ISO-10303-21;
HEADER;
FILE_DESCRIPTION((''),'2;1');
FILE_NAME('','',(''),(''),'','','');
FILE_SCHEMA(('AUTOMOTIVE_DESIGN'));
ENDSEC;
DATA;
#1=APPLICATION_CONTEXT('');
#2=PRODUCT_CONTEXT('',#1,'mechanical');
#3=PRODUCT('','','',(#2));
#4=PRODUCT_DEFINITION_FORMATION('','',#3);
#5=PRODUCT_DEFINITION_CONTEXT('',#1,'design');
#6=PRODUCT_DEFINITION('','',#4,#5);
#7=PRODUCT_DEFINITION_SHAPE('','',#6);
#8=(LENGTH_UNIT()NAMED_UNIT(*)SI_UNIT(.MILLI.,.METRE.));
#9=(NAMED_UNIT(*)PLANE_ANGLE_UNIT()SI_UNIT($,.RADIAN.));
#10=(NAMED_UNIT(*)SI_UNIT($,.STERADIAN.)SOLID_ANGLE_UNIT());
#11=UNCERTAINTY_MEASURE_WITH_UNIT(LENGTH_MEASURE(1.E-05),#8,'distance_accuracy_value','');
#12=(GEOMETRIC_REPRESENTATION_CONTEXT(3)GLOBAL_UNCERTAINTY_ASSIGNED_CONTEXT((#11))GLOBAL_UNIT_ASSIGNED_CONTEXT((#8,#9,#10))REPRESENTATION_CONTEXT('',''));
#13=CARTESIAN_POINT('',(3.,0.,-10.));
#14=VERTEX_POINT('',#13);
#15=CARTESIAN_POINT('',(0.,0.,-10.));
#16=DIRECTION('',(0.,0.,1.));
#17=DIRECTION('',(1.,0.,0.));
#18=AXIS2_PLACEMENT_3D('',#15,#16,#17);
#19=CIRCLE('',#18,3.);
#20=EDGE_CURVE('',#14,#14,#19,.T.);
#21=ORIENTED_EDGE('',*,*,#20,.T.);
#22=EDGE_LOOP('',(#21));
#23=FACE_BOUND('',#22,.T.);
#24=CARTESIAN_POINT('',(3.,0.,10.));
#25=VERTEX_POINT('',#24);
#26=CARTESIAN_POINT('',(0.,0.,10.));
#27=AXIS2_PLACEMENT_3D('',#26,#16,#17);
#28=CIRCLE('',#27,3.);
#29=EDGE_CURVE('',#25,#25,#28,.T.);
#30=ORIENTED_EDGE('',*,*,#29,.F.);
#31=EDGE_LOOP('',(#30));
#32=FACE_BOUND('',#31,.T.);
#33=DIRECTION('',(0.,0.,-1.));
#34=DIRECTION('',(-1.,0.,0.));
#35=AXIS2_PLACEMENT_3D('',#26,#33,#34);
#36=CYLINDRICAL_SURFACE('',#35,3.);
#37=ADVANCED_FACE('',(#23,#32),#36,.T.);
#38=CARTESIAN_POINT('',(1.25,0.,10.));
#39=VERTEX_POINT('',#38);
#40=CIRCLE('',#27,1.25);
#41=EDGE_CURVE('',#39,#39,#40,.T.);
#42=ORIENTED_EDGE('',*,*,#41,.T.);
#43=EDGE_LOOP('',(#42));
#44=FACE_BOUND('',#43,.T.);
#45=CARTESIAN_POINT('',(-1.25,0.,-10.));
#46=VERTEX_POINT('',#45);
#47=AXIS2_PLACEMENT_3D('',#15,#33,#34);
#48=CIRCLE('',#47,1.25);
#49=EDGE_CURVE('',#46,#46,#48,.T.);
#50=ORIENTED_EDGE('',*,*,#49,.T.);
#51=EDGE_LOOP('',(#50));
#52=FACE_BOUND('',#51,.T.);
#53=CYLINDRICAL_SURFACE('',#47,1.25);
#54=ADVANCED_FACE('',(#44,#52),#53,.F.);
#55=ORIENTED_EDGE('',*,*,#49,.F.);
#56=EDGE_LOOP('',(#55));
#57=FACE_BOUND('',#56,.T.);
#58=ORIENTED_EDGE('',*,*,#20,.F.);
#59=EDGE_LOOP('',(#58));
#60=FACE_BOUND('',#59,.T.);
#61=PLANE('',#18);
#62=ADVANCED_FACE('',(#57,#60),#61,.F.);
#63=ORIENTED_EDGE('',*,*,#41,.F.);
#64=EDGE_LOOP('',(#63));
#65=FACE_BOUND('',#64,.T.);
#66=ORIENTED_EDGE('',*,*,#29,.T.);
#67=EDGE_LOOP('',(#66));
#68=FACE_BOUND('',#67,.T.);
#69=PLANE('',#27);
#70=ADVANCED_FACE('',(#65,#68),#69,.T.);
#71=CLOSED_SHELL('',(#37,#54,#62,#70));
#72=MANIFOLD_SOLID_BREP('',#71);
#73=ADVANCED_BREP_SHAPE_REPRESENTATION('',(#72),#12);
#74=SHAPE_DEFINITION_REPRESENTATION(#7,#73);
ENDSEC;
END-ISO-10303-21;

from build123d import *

# Parameters (mm, degrees)
SKETCH_1_R               = 3
EXTRUDE_1_DEPTH          = 10
M3X0_5_1_D               = 2.5
M3X0_5_1_DEPTH           = 6.5
M3X0_5_1_TIP             = 0.751075774
M3X0_5_1_ON_FACE_2_D     = 2.5
M3X0_5_1_ON_FACE_2_DEPTH = 6.5
M3X0_5_1_ON_FACE_2_TIP   = 0.751075774
SKETCH_3_R               = 1.25
CUT_EXTRUDE_1_DEPTH      = 20


with BuildPart() as part:
    # ｽｹｯﾁ1 → ﾎﾞｽ - 押し出し1 (new body, symmetric)
    with BuildSketch(Plane.XY):
        Circle(SKETCH_1_R)
    extrude(amount=EXTRUDE_1_DEPTH, both=True)

    # M3x0.5 ねじ穴1
    with Locations(Plane.XY.offset(10)):
        with Locations((0, 0)):
            Hole(M3X0_5_1_D / 2, depth=M3X0_5_1_DEPTH)
            with Locations((0, 0, -(M3X0_5_1_DEPTH + M3X0_5_1_TIP / 2))):  # 118° drill point
                Cone(0, M3X0_5_1_D / 2, M3X0_5_1_TIP, mode=Mode.SUBTRACT)

    # M3x0.5 ねじ穴1 on face 2
    with Locations(Plane(origin=(0, 0, -10), x_dir=(-1, 0, 0), z_dir=(0, 0, -1))):
        with Locations((0, 0)):
            Hole(M3X0_5_1_ON_FACE_2_D / 2, depth=M3X0_5_1_ON_FACE_2_DEPTH)
            with Locations((0, 0, -(M3X0_5_1_ON_FACE_2_DEPTH + M3X0_5_1_ON_FACE_2_TIP / 2))):  # 118° drill point
                Cone(0, M3X0_5_1_ON_FACE_2_D / 2, M3X0_5_1_ON_FACE_2_TIP, mode=Mode.SUBTRACT)

    # ｽｹｯﾁ3 → ｶｯﾄ - 押し出し1 (cut)
    with BuildSketch(Plane(origin=(0, 0, -10), x_dir=(-1, 0, 0), z_dir=(0, 0, -1))):
        Circle(SKETCH_3_R)
    extrude(amount=-CUT_EXTRUDE_1_DEPTH, mode=Mode.SUBTRACT)


solid = part.part
